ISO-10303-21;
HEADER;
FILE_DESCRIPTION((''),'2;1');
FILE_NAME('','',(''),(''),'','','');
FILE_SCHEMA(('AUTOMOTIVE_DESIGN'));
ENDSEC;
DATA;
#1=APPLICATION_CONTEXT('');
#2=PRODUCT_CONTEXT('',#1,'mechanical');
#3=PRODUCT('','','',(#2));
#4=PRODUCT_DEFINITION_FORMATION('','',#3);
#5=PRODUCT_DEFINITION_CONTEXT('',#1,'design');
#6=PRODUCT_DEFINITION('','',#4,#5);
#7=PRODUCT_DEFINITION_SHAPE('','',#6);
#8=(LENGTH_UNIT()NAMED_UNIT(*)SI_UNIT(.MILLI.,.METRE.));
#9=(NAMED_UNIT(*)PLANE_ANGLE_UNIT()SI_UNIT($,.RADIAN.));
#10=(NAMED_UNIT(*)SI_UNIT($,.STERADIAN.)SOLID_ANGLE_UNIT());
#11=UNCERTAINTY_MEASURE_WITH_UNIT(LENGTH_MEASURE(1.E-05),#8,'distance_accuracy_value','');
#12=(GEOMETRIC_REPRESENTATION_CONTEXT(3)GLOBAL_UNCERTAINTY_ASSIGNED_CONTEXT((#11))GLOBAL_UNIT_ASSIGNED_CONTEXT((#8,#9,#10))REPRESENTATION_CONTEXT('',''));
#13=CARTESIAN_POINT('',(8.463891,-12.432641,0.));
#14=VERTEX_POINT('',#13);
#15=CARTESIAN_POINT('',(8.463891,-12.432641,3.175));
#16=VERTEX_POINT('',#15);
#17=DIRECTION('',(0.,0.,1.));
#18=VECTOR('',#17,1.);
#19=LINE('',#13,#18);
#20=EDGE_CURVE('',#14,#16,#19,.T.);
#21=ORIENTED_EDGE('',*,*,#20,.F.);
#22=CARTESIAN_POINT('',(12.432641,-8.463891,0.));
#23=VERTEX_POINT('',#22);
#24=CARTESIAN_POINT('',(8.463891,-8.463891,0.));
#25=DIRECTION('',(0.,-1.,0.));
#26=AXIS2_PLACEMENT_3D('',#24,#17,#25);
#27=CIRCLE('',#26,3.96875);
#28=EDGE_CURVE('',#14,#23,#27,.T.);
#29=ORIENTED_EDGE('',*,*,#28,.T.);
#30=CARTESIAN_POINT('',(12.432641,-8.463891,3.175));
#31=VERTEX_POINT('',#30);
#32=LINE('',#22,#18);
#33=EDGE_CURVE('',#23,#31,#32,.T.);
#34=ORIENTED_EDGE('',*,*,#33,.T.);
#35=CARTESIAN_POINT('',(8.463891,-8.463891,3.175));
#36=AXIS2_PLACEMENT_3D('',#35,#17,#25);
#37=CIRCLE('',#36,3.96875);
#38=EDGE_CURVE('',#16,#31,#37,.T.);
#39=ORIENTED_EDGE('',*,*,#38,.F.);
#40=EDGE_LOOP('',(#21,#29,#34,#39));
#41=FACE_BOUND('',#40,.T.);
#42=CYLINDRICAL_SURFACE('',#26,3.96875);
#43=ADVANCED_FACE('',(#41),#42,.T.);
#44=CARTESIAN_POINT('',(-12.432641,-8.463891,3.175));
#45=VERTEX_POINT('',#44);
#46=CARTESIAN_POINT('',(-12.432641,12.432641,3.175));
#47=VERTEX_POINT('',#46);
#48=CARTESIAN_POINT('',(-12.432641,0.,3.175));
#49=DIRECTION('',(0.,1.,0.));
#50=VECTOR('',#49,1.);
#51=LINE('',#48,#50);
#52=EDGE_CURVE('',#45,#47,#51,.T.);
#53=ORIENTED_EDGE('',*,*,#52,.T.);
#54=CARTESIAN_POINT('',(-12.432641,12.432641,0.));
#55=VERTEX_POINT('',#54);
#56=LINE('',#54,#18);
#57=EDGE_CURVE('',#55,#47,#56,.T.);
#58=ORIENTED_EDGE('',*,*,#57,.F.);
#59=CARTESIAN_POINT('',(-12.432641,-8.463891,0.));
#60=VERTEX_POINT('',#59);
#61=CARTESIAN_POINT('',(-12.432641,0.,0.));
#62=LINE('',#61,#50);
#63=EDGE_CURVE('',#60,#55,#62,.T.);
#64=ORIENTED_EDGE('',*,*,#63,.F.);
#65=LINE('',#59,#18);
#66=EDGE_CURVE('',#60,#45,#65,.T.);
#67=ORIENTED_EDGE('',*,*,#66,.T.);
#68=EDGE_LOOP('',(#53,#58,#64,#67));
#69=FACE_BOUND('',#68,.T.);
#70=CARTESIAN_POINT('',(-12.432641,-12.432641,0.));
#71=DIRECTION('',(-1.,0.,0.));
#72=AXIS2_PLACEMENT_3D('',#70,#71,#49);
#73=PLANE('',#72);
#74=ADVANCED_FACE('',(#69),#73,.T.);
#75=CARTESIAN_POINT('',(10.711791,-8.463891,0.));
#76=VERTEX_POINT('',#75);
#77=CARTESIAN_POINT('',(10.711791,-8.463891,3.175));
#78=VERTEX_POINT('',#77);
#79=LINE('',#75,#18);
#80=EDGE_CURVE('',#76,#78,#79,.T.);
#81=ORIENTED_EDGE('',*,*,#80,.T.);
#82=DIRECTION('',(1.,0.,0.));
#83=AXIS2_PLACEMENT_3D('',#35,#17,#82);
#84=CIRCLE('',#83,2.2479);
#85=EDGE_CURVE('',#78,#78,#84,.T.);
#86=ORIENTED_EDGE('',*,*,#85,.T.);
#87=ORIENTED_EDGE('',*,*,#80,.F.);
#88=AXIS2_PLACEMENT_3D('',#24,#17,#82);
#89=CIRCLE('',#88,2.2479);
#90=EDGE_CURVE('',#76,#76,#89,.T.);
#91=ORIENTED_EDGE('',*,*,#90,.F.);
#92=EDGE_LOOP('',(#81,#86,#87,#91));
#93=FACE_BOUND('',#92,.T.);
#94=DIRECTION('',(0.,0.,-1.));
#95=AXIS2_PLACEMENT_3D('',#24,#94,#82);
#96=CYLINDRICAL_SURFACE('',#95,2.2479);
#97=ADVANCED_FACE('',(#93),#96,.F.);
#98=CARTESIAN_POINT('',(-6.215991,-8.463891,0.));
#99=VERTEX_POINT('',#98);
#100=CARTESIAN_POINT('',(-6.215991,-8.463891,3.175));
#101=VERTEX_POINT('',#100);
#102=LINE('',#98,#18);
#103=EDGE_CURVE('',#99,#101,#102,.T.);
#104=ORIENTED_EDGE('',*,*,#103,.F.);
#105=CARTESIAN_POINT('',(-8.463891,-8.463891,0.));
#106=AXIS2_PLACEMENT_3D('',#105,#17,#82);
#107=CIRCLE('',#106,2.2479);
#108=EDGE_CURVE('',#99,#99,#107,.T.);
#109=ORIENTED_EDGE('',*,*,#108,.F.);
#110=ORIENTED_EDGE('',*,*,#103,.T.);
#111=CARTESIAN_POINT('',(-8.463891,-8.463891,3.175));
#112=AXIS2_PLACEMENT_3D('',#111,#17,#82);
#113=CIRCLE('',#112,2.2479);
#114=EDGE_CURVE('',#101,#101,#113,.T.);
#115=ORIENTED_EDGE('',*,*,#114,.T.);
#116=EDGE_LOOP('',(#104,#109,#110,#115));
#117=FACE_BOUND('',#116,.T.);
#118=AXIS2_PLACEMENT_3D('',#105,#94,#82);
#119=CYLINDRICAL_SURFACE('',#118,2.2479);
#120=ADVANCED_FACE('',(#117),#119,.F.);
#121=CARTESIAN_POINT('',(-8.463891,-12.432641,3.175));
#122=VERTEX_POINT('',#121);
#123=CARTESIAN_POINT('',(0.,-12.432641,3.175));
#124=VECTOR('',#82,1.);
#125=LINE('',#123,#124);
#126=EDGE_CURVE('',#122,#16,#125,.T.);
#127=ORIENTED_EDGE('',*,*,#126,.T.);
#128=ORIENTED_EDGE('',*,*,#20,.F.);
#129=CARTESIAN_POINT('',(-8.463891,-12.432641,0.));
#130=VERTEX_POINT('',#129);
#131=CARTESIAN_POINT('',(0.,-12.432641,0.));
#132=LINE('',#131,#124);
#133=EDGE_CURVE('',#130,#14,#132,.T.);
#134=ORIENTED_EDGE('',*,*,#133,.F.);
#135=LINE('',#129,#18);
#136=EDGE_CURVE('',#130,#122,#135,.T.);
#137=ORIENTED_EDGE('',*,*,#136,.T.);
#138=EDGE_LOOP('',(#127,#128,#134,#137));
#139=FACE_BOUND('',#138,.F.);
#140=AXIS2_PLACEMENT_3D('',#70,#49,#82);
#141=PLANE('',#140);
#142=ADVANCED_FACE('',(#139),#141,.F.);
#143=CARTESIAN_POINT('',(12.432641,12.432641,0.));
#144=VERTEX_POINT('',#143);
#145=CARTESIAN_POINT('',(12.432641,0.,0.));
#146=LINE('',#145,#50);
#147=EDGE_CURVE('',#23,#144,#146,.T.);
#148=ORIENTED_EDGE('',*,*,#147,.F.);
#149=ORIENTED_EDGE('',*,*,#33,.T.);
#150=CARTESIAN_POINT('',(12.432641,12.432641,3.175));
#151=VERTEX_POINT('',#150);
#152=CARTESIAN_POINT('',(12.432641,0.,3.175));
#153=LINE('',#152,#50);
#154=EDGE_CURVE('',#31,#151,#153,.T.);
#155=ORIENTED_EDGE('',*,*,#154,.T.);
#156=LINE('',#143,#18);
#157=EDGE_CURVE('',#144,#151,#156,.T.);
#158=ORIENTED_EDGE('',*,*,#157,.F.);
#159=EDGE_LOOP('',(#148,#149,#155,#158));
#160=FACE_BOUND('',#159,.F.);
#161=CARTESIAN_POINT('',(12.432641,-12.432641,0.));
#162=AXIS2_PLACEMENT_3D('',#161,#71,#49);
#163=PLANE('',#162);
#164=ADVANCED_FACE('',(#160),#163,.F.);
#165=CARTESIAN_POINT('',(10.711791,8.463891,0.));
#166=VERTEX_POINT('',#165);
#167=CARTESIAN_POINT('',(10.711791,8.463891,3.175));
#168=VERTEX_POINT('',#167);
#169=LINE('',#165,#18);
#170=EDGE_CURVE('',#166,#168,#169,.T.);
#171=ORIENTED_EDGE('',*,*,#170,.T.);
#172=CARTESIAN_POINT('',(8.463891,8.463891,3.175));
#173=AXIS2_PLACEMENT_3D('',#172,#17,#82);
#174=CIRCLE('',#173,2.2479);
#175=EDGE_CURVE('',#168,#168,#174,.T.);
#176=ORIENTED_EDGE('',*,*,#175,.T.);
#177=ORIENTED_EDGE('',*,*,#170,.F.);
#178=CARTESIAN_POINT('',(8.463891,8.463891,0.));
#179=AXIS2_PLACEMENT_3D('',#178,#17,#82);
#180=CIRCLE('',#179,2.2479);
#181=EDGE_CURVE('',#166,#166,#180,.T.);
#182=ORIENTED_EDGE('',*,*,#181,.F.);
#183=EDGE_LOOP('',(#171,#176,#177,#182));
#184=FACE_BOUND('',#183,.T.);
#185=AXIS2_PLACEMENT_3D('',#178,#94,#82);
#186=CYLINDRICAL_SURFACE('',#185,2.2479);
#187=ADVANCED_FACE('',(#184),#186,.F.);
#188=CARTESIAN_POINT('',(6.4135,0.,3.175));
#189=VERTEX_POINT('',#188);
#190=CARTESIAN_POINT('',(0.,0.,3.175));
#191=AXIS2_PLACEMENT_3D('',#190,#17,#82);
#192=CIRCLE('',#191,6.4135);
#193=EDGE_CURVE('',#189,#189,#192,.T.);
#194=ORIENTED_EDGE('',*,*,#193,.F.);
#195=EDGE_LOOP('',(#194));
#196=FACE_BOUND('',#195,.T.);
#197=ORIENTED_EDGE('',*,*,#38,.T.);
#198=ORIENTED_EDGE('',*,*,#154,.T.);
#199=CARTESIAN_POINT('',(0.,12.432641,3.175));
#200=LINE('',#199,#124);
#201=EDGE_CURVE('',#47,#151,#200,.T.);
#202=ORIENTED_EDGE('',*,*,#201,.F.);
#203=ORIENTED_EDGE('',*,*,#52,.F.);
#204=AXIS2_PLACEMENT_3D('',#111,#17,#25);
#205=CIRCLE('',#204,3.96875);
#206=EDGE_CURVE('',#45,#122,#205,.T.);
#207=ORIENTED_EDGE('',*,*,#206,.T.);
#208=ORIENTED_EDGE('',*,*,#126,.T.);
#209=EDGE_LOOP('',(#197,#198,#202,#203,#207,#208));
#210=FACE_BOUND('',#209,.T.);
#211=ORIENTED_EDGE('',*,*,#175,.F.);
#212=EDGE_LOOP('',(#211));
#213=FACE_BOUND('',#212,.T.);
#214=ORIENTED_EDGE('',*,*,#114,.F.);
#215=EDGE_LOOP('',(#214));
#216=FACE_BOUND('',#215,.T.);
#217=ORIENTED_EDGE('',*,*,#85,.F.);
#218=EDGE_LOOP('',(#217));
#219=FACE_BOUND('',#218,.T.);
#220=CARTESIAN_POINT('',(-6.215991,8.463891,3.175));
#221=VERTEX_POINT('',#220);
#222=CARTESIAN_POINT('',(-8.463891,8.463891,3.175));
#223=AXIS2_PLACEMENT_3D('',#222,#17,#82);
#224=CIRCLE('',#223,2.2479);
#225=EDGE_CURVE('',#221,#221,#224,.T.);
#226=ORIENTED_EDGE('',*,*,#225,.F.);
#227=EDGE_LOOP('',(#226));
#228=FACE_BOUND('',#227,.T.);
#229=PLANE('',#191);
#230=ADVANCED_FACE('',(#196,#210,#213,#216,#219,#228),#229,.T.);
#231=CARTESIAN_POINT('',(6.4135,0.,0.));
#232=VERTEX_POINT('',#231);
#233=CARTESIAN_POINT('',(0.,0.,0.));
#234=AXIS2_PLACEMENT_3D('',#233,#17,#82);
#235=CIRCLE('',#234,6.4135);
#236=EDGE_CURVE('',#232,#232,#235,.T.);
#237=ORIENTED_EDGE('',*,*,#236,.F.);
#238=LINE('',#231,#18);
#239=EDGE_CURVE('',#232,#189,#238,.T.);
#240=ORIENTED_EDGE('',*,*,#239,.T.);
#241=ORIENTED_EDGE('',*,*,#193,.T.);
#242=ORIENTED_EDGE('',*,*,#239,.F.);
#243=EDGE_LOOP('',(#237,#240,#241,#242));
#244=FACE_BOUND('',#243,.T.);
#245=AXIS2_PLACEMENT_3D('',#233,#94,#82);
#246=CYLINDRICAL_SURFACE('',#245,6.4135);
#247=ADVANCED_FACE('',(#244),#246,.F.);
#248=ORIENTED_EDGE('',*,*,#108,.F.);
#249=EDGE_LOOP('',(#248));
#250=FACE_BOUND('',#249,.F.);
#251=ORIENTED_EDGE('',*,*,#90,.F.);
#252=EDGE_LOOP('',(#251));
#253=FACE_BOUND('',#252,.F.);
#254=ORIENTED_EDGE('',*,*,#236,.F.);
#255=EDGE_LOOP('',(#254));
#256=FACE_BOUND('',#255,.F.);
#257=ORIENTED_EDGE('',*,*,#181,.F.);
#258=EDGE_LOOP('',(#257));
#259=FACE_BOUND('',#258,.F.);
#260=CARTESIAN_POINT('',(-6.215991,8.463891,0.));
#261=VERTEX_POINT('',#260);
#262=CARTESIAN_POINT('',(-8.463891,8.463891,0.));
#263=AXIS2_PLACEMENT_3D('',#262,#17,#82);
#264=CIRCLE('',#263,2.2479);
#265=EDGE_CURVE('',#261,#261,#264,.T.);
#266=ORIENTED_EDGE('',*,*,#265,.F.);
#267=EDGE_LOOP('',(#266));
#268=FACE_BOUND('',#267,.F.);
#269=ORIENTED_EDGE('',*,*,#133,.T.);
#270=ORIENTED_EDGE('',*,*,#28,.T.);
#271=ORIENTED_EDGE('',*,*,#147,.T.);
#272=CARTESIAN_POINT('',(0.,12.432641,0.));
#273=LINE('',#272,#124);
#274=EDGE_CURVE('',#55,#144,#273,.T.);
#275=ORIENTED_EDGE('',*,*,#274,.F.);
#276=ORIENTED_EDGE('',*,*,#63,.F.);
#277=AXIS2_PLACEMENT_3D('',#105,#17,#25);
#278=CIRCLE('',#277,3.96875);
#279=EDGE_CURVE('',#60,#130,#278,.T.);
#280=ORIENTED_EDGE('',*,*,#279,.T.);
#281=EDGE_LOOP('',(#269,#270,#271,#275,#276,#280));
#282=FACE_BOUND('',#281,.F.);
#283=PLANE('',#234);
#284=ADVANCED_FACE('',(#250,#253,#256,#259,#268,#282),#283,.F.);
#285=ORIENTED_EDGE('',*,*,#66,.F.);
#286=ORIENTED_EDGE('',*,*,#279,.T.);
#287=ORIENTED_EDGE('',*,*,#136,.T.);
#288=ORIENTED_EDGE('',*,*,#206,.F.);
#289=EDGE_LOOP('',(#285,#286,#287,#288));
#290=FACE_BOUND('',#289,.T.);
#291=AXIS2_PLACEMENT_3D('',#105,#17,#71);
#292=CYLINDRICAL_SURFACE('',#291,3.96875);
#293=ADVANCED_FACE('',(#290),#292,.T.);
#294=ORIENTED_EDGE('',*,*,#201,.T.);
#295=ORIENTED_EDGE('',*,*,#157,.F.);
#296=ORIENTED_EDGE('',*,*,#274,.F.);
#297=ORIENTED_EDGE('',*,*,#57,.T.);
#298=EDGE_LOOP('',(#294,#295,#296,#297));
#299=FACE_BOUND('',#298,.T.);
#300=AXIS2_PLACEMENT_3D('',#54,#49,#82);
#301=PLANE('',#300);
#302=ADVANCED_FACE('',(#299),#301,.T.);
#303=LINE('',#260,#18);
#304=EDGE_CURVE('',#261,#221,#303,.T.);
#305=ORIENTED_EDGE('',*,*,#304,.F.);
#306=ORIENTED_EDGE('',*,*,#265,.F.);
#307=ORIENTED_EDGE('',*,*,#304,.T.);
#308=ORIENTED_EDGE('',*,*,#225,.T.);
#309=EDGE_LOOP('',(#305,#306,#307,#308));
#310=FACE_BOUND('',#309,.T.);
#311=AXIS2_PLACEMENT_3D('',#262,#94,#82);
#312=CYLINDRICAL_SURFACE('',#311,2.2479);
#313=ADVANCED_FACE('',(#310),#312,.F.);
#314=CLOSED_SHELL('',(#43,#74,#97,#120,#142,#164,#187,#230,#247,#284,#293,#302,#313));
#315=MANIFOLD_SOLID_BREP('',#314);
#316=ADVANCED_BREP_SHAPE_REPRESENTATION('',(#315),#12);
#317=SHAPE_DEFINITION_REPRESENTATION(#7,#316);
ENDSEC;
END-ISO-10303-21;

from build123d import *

# Parameters (mm, degrees)
F0_W     = 24.865282
F0_H     = 24.865282
F0_R     = 2.2479
F0_R_2   = 6.4135
F1_DEPTH = 3.175
F2_R     = 3.96875


with BuildPart() as f1:
    # F0 (on Top) → F1 (new body)
    with BuildSketch(Plane.XY):
        Rectangle(F0_W, F0_H)
        with Locations((-8.463891, -8.463891)):
            Circle(F0_R, mode=Mode.SUBTRACT)
        with Locations((8.463891, -8.463891)):
            Circle(F0_R, mode=Mode.SUBTRACT)
        with Locations((-8.463891, 8.463891)):
            Circle(F0_R, mode=Mode.SUBTRACT)
        Circle(F0_R_2, mode=Mode.SUBTRACT)
        with Locations((8.463891, 8.463891)):
            Circle(F0_R, mode=Mode.SUBTRACT)
    extrude(amount=F1_DEPTH)

    # F2
    f2_edges = [f1.edges().sort_by_distance(p)[0] for p in [
        (12.432641, -12.432641, 1.5875),
        (-12.432641, -12.432641, 1.5875),
    ]]
    fillet(f2_edges, radius=F2_R)


solid = f1.part
